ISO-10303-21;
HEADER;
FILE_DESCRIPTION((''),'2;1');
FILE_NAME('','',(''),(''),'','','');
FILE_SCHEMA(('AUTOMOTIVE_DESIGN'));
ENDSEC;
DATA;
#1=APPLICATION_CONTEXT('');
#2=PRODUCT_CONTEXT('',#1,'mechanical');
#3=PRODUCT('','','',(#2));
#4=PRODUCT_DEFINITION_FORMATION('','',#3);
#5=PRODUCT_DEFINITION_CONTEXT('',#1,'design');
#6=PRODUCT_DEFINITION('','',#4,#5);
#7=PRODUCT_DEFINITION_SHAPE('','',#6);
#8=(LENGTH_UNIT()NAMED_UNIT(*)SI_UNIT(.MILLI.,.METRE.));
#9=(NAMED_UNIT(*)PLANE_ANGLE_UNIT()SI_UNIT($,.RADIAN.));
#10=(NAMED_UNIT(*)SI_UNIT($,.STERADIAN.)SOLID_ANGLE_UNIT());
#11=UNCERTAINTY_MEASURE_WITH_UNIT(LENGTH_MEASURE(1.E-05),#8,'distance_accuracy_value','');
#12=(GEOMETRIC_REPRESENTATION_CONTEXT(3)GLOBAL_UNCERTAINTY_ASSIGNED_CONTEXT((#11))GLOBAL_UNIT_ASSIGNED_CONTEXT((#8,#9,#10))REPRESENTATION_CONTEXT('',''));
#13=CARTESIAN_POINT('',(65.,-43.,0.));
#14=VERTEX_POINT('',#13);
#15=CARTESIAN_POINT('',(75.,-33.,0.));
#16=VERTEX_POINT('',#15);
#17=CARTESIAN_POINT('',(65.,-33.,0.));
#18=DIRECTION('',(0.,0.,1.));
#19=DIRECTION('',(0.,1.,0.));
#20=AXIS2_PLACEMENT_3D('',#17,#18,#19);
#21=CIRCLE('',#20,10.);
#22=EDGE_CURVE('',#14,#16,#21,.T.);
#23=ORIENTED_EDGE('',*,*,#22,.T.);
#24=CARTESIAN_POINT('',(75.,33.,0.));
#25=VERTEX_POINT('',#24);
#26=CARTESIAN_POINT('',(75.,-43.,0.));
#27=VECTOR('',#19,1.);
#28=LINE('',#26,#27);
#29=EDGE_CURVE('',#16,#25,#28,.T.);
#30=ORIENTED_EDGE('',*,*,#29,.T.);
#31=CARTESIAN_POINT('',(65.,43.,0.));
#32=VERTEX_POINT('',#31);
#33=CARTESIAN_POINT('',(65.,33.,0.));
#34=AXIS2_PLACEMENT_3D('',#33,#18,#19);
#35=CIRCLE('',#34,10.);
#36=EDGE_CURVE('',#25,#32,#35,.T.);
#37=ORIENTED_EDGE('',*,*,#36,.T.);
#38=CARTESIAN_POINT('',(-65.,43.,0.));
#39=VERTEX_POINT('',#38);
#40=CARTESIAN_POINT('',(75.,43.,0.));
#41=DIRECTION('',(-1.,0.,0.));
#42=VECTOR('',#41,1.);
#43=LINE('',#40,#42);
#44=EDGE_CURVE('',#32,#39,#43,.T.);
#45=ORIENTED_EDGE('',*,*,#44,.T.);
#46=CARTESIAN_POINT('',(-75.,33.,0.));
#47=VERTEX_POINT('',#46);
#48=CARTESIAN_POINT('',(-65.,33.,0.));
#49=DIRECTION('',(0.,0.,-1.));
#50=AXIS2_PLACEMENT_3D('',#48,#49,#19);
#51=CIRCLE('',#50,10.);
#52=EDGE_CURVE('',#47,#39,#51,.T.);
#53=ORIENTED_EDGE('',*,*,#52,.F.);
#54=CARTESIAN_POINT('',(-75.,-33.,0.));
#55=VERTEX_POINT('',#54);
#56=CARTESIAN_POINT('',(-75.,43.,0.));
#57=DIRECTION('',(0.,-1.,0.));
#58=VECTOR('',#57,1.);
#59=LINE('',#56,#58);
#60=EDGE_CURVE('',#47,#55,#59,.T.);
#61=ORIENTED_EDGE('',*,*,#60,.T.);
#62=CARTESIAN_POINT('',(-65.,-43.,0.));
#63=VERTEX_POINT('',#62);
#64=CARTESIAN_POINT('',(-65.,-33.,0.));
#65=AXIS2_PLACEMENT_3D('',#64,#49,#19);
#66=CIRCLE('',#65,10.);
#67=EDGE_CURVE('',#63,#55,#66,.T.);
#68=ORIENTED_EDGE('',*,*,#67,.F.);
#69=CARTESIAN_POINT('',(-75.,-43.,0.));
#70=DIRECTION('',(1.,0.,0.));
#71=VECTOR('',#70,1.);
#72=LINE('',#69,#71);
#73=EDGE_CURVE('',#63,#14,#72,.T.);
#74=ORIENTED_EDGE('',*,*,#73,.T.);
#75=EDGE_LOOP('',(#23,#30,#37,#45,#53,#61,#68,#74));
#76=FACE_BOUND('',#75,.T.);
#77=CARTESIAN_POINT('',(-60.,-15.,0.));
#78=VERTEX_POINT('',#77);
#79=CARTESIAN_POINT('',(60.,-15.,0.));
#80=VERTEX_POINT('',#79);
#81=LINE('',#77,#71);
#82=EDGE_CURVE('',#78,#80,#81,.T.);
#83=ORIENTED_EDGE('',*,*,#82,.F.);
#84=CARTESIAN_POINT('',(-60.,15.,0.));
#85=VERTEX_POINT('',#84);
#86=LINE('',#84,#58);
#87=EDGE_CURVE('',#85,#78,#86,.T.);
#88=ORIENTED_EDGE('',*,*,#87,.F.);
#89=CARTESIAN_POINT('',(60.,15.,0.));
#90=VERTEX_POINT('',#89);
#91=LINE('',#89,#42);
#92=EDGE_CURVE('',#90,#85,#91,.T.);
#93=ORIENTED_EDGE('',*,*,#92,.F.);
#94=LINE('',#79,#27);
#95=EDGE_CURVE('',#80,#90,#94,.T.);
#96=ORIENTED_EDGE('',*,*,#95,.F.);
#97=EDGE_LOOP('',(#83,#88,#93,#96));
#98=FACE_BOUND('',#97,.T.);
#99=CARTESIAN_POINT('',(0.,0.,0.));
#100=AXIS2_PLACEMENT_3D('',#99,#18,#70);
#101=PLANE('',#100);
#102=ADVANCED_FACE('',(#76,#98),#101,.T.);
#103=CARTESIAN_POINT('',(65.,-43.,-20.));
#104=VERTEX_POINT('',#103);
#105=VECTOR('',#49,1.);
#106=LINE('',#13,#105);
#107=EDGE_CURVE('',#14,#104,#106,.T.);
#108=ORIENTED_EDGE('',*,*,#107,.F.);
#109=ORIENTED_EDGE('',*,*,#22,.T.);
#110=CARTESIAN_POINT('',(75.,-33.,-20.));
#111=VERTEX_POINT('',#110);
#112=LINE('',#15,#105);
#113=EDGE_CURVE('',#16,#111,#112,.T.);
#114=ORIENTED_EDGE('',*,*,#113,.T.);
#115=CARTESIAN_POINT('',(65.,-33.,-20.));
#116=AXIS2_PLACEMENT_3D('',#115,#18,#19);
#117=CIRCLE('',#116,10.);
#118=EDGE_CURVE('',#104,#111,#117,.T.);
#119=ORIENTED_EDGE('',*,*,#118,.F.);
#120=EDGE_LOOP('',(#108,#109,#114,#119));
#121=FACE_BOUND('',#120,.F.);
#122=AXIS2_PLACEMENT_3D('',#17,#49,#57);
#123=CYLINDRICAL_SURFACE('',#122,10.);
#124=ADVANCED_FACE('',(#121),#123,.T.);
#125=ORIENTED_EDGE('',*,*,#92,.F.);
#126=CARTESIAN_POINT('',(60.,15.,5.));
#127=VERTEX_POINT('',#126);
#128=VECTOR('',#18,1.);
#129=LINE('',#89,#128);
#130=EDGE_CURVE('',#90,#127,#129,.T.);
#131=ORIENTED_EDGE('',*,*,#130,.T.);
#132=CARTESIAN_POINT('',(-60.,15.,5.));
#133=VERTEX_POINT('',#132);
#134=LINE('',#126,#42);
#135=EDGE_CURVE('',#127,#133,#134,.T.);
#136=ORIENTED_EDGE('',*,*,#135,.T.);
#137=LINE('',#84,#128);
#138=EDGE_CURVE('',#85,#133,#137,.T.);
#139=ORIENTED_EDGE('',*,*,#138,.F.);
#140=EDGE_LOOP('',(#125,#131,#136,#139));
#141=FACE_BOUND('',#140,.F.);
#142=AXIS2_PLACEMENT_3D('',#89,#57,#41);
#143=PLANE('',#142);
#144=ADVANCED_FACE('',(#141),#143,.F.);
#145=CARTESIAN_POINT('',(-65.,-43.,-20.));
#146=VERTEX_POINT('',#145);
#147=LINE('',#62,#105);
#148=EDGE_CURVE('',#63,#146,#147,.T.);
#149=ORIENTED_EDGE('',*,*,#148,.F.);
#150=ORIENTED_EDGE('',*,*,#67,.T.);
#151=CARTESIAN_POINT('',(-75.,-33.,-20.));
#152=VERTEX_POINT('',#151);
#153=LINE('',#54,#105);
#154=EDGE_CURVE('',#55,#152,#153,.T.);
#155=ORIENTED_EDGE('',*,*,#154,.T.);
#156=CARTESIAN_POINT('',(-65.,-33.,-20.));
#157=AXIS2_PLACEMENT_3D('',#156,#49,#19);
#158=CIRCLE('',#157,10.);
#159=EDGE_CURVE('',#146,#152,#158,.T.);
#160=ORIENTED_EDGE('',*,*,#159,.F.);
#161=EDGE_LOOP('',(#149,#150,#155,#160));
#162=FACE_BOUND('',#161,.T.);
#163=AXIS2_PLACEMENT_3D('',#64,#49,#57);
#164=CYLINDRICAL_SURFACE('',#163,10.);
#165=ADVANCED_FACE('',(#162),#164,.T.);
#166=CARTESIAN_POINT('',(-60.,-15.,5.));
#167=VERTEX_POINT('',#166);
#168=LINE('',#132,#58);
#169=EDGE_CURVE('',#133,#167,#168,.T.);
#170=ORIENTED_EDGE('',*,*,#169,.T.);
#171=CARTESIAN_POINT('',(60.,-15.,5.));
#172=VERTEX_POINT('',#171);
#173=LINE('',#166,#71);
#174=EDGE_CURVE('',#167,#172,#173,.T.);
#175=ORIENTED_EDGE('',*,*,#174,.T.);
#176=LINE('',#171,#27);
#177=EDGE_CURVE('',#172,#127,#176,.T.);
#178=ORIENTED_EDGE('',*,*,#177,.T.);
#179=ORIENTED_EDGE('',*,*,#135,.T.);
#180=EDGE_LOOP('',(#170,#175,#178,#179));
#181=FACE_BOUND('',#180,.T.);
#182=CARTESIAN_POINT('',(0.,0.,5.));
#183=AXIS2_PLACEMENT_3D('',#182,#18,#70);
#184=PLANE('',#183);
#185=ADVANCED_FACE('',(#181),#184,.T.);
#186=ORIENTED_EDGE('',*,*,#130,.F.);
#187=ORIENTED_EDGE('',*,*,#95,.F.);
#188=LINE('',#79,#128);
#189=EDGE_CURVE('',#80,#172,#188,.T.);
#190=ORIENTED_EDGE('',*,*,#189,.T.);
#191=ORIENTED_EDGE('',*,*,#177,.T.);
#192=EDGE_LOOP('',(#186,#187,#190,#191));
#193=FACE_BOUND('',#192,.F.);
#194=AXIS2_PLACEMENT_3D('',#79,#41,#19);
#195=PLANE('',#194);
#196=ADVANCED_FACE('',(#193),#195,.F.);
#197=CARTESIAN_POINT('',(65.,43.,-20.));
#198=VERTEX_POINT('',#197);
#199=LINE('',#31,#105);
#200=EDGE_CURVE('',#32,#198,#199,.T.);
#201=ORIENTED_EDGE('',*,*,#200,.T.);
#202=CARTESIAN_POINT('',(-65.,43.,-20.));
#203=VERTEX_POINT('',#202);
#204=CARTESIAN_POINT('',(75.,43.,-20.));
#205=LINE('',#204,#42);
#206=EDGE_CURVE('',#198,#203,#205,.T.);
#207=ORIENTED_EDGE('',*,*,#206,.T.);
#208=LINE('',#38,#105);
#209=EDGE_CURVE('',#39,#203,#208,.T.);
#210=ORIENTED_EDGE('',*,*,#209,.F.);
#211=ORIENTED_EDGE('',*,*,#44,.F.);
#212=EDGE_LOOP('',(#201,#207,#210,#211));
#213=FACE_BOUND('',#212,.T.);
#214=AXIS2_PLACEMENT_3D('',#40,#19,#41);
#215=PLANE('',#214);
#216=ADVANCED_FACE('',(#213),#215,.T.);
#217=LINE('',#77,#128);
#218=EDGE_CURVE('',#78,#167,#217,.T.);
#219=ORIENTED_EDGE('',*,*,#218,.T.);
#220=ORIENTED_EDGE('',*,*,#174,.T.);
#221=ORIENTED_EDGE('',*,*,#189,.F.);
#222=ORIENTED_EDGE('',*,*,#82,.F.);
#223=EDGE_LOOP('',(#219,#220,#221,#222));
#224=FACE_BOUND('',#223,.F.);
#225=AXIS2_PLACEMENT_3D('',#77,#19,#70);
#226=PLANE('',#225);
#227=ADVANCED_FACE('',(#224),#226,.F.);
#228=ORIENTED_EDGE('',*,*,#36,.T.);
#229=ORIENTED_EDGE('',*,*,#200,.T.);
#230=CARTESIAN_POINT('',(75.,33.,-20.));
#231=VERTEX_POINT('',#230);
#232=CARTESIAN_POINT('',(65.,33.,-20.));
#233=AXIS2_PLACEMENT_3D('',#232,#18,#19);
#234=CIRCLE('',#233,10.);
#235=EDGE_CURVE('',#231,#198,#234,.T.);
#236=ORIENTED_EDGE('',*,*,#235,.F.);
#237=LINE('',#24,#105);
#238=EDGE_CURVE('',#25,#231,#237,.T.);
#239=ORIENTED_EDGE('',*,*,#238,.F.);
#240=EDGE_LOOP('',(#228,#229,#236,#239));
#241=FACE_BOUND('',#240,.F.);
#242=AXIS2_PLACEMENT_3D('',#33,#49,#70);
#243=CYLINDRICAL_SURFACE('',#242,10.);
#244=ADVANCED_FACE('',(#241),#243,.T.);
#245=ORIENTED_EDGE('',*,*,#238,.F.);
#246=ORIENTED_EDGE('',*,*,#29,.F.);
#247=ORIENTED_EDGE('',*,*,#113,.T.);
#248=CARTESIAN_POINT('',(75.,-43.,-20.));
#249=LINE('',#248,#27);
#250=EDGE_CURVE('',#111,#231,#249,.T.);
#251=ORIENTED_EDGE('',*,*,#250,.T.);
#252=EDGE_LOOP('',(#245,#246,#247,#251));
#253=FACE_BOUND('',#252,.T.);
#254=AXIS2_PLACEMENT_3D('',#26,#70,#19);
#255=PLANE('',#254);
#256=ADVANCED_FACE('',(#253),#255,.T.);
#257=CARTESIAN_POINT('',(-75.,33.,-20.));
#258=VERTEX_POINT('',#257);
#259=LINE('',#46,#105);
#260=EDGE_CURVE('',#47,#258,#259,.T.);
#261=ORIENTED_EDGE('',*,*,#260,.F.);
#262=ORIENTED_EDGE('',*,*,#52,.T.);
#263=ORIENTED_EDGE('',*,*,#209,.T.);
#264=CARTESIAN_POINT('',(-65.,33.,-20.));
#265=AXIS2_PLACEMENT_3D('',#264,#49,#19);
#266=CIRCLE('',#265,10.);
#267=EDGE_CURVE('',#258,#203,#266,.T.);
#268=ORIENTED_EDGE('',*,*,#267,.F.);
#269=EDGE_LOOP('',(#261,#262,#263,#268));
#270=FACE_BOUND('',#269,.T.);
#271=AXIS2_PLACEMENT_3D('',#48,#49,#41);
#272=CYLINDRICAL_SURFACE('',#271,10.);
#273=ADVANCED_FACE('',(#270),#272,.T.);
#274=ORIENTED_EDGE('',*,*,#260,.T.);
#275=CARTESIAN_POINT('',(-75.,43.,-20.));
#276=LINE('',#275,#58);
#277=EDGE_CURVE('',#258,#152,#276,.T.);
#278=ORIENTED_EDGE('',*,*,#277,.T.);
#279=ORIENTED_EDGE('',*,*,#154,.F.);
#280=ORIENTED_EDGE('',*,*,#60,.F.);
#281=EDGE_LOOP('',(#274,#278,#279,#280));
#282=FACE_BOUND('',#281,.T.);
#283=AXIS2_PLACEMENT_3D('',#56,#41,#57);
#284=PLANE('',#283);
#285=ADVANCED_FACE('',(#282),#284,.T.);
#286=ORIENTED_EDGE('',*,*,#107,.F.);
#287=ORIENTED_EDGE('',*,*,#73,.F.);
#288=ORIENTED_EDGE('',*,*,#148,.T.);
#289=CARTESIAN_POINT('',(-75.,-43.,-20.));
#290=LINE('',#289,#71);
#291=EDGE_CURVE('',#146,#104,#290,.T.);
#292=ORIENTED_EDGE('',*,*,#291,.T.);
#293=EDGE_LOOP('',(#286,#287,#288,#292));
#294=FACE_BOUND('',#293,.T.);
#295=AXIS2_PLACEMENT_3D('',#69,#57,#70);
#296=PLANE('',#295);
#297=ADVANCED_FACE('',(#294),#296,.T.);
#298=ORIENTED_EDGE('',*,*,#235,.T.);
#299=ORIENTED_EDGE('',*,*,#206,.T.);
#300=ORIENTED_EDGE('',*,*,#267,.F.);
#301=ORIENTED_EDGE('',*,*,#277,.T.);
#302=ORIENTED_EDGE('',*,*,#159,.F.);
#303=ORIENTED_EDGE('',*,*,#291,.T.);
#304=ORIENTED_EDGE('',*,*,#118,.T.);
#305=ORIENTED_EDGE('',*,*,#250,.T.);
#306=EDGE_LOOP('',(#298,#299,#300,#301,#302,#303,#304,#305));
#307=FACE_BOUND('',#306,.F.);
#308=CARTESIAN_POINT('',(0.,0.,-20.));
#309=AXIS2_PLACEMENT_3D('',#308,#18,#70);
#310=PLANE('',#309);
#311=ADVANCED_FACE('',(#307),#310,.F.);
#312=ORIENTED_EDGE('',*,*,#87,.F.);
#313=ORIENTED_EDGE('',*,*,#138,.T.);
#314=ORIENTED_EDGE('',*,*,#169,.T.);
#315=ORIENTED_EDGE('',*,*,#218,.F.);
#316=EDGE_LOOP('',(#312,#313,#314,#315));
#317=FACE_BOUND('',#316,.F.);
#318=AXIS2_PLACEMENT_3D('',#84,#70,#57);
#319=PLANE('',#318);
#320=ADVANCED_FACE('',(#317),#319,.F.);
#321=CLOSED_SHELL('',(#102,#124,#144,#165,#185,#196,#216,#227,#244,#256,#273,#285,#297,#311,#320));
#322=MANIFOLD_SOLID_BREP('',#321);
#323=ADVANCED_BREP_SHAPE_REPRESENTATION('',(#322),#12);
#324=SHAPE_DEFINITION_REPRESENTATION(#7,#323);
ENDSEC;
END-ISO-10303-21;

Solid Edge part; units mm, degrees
sketch "Sketch1" plane through (0, 0, 0) normal (0, 0, 1) x (1, 0, 0)
  line L0 (-75, -43) -> (75, -43)
  line L1 (75, -43) -> (75, 43)
  line L2 (75, 43) -> (-75, 43)
  line L3 (-75, 43) -> (-75, -43)
extrude "Protrusion1" add sketch "Sketch1" against normal blind 20
sketch "Sketch2" plane through (0, 0, 0) normal (0, 0, 1) x (1, 0, 0)
  line L0 (-60, -15) -> (60, -15)
  line L1 (60, -15) -> (60, 15)
  line L2 (60, 15) -> (-60, 15)
  line L3 (-60, 15) -> (-60, -15)
extrude "ExtrudedProtrusion_2" add sketch "Sketch2" along normal blind 5
fillet "Round_1" radius 10 4 edges at (75, -43, -10) (75, 43, -10) (-75, -43, -10) (-75, 43, -10)
